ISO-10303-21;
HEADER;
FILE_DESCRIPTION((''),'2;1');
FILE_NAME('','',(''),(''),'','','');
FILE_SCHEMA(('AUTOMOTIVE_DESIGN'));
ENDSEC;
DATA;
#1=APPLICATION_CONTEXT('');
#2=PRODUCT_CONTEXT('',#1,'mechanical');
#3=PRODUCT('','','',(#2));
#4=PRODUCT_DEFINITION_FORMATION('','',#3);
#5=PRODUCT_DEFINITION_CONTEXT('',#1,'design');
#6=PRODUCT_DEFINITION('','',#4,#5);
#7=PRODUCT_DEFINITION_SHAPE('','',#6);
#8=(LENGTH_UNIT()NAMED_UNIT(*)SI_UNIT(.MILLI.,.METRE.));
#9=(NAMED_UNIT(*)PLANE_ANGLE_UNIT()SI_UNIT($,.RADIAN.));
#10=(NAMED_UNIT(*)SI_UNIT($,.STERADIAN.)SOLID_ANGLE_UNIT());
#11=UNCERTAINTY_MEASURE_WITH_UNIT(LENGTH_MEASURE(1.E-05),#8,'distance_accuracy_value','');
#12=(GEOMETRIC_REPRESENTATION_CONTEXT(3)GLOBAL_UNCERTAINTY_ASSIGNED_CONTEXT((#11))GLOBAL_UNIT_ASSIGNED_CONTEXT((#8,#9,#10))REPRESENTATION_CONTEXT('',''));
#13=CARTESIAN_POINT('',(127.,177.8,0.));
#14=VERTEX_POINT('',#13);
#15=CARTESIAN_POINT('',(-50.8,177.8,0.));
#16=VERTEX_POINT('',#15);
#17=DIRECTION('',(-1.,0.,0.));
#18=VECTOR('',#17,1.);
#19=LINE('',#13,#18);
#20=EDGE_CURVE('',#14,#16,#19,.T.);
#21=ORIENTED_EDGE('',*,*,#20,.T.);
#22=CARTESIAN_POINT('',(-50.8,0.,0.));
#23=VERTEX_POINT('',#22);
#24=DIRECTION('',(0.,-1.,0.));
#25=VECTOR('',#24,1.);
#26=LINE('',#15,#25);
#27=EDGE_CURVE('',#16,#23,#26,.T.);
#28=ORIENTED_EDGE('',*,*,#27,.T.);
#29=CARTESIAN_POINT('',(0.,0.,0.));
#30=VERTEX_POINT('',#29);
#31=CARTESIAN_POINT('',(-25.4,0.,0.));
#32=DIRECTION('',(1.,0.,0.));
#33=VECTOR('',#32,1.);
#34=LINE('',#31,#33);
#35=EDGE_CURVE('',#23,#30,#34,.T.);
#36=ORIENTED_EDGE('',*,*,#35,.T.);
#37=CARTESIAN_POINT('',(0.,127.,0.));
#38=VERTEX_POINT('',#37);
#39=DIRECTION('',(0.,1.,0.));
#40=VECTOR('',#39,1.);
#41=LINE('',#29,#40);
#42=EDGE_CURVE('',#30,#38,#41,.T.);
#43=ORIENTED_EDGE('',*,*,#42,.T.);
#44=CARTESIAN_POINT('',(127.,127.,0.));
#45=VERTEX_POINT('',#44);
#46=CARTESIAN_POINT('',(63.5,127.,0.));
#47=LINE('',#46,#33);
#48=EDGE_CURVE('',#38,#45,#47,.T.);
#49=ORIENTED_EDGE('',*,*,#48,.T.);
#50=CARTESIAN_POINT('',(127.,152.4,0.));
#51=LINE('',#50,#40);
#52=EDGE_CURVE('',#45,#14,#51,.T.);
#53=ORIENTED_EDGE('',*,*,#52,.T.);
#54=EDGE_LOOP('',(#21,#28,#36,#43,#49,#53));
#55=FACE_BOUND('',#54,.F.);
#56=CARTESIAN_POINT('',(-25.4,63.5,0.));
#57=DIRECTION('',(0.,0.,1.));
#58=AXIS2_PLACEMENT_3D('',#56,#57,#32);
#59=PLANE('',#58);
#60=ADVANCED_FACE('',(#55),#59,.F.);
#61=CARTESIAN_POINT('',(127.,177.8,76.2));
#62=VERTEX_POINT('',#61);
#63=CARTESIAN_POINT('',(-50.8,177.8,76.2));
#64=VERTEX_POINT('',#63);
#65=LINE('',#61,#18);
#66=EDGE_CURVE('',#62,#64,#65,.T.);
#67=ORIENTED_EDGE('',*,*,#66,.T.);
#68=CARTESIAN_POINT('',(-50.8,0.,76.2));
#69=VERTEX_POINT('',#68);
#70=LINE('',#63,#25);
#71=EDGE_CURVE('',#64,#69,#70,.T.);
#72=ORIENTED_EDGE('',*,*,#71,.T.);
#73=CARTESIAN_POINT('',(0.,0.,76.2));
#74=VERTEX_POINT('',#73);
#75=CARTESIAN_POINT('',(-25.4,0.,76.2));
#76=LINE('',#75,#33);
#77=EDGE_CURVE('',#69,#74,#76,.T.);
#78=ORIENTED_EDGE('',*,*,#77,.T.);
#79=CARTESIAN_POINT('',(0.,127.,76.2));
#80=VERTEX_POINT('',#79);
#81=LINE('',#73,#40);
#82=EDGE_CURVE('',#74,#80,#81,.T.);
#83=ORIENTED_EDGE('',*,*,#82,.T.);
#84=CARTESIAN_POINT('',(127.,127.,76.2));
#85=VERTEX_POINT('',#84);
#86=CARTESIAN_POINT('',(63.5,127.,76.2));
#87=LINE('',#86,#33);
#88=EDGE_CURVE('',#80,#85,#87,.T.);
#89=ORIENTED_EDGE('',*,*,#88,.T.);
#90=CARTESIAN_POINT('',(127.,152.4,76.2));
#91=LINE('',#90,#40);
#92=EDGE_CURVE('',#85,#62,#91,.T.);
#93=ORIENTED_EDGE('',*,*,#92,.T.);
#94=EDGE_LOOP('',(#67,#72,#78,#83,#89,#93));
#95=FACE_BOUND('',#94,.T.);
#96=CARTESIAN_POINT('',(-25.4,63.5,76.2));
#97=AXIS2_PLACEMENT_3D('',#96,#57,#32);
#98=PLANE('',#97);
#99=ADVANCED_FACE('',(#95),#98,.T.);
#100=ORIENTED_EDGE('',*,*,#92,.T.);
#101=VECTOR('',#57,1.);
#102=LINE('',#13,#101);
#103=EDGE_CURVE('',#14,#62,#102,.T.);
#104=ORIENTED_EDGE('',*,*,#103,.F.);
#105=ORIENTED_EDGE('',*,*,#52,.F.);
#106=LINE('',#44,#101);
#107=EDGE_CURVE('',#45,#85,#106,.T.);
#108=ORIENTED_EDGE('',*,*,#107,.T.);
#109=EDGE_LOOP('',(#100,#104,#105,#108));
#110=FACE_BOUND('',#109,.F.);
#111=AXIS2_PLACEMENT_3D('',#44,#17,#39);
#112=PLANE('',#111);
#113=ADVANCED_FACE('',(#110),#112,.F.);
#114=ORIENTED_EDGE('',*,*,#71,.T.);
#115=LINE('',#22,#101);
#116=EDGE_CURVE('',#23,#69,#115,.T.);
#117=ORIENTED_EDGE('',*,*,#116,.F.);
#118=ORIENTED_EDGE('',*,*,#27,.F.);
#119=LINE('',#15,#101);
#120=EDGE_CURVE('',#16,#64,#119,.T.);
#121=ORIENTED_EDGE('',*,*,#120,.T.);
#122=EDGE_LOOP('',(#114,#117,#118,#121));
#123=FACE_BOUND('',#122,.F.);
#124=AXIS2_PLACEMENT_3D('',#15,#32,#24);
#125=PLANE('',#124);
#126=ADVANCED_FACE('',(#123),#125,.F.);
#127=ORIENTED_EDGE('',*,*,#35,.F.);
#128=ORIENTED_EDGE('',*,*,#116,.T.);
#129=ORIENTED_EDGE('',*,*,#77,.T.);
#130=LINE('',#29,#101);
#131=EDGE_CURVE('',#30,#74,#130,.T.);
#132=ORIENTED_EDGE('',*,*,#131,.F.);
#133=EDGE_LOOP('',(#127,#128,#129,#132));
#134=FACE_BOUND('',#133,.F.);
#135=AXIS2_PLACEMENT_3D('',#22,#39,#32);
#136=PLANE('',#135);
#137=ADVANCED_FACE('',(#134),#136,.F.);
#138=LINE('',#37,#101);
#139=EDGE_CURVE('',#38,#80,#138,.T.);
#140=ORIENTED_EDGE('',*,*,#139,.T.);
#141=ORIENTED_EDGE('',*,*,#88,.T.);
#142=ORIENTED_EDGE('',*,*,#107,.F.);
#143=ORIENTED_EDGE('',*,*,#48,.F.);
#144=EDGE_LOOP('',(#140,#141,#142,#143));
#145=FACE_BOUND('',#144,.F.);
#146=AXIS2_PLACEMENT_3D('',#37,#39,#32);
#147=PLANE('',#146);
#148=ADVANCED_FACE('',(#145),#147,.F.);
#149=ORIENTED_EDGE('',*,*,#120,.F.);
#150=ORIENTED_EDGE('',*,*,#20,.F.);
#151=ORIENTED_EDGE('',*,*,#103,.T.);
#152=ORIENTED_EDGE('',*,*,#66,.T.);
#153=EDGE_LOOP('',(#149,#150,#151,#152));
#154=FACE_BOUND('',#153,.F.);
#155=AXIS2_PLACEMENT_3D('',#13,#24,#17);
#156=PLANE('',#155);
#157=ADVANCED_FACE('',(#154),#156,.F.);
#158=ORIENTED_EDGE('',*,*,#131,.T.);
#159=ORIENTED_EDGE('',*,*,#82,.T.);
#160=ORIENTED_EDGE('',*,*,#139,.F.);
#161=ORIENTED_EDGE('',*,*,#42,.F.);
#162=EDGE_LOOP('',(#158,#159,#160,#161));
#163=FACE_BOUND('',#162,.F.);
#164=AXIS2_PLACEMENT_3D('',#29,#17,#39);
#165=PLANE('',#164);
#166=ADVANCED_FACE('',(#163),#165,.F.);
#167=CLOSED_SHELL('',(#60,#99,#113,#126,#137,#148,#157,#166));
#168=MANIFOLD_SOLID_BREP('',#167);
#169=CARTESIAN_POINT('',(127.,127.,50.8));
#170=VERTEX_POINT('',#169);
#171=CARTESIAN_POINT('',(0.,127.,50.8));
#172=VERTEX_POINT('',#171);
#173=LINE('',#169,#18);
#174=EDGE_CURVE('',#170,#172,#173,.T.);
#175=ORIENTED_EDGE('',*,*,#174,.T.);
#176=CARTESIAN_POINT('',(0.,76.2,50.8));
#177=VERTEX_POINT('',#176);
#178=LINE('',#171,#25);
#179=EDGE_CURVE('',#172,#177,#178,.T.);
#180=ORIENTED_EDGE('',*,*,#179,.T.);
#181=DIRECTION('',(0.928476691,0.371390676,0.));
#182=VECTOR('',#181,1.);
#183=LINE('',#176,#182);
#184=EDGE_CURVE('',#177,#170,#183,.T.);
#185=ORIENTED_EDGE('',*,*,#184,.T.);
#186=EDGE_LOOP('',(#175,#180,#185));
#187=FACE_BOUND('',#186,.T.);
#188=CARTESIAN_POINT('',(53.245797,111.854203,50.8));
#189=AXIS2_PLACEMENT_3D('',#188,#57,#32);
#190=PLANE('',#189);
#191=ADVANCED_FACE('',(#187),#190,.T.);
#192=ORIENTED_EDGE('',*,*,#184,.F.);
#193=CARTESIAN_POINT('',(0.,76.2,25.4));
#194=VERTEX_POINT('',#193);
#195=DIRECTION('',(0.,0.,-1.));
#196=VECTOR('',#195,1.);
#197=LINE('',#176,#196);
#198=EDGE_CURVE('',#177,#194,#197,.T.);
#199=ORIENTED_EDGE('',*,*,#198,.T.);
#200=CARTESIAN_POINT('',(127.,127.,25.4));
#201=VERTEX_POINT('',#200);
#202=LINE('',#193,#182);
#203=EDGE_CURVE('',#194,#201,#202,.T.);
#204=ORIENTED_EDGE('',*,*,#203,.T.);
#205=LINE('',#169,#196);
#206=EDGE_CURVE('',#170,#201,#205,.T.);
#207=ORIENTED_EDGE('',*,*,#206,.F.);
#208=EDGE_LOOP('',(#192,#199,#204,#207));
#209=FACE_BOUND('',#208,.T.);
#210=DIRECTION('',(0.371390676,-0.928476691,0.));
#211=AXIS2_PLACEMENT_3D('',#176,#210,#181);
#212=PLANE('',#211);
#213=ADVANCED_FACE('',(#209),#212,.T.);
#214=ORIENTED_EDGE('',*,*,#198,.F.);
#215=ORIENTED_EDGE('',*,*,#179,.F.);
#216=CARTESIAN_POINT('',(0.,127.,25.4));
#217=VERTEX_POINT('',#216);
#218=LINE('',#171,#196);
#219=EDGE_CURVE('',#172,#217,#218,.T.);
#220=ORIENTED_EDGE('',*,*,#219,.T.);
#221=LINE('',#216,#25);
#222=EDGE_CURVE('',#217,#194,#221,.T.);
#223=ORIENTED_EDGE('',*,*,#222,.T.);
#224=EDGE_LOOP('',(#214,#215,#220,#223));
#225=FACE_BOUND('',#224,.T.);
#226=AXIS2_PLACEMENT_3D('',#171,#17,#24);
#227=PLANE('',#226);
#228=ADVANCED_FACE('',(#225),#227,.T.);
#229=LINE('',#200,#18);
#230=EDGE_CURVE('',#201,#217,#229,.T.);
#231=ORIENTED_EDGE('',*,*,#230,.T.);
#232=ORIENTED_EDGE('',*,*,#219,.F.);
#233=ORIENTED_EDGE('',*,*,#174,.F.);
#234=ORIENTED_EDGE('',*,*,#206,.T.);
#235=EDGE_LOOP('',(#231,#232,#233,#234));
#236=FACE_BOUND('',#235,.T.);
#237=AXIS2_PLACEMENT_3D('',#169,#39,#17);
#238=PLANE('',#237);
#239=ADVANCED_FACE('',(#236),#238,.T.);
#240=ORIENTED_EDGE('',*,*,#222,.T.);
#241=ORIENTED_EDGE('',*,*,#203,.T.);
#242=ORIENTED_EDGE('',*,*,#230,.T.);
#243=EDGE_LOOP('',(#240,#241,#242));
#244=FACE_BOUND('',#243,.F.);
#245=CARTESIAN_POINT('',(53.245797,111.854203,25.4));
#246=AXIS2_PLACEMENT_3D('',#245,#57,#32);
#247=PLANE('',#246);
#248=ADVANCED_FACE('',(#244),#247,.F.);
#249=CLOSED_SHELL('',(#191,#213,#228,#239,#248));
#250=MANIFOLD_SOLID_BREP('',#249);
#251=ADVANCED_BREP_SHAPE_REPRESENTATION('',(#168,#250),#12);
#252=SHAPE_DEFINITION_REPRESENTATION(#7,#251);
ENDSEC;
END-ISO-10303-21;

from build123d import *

# Parameters (mm, degrees)
F0_W     = 50.8
F0_H     = 127
F0_H_2   = 50.8
F0_W_2   = 127
F1_DEPTH = 76.2
F5_DEPTH = 25.4


with BuildPart() as f1:
    # F0 (on Top) → F1 (new body)
    with BuildSketch(Plane.XY):
        with Locations((-25.4, 63.5)):
            Rectangle(F0_W, F0_H)
        with Locations((-25.4, 152.4)):
            Rectangle(F0_W, F0_H_2)
        with Locations((63.5, 152.4)):
            Rectangle(F0_W_2, F0_H_2)
    extrude(amount=F1_DEPTH)


with BuildPart() as f5:
    # F4 (on plane+point) → F5 (new body)
    with BuildSketch(Plane.XY.offset(50.8)):
        Polygon((127, 127), (0, 127), (0, 76.2), align=None)
    extrude(amount=-F5_DEPTH)


solid = Compound([f1.part, f5.part])
